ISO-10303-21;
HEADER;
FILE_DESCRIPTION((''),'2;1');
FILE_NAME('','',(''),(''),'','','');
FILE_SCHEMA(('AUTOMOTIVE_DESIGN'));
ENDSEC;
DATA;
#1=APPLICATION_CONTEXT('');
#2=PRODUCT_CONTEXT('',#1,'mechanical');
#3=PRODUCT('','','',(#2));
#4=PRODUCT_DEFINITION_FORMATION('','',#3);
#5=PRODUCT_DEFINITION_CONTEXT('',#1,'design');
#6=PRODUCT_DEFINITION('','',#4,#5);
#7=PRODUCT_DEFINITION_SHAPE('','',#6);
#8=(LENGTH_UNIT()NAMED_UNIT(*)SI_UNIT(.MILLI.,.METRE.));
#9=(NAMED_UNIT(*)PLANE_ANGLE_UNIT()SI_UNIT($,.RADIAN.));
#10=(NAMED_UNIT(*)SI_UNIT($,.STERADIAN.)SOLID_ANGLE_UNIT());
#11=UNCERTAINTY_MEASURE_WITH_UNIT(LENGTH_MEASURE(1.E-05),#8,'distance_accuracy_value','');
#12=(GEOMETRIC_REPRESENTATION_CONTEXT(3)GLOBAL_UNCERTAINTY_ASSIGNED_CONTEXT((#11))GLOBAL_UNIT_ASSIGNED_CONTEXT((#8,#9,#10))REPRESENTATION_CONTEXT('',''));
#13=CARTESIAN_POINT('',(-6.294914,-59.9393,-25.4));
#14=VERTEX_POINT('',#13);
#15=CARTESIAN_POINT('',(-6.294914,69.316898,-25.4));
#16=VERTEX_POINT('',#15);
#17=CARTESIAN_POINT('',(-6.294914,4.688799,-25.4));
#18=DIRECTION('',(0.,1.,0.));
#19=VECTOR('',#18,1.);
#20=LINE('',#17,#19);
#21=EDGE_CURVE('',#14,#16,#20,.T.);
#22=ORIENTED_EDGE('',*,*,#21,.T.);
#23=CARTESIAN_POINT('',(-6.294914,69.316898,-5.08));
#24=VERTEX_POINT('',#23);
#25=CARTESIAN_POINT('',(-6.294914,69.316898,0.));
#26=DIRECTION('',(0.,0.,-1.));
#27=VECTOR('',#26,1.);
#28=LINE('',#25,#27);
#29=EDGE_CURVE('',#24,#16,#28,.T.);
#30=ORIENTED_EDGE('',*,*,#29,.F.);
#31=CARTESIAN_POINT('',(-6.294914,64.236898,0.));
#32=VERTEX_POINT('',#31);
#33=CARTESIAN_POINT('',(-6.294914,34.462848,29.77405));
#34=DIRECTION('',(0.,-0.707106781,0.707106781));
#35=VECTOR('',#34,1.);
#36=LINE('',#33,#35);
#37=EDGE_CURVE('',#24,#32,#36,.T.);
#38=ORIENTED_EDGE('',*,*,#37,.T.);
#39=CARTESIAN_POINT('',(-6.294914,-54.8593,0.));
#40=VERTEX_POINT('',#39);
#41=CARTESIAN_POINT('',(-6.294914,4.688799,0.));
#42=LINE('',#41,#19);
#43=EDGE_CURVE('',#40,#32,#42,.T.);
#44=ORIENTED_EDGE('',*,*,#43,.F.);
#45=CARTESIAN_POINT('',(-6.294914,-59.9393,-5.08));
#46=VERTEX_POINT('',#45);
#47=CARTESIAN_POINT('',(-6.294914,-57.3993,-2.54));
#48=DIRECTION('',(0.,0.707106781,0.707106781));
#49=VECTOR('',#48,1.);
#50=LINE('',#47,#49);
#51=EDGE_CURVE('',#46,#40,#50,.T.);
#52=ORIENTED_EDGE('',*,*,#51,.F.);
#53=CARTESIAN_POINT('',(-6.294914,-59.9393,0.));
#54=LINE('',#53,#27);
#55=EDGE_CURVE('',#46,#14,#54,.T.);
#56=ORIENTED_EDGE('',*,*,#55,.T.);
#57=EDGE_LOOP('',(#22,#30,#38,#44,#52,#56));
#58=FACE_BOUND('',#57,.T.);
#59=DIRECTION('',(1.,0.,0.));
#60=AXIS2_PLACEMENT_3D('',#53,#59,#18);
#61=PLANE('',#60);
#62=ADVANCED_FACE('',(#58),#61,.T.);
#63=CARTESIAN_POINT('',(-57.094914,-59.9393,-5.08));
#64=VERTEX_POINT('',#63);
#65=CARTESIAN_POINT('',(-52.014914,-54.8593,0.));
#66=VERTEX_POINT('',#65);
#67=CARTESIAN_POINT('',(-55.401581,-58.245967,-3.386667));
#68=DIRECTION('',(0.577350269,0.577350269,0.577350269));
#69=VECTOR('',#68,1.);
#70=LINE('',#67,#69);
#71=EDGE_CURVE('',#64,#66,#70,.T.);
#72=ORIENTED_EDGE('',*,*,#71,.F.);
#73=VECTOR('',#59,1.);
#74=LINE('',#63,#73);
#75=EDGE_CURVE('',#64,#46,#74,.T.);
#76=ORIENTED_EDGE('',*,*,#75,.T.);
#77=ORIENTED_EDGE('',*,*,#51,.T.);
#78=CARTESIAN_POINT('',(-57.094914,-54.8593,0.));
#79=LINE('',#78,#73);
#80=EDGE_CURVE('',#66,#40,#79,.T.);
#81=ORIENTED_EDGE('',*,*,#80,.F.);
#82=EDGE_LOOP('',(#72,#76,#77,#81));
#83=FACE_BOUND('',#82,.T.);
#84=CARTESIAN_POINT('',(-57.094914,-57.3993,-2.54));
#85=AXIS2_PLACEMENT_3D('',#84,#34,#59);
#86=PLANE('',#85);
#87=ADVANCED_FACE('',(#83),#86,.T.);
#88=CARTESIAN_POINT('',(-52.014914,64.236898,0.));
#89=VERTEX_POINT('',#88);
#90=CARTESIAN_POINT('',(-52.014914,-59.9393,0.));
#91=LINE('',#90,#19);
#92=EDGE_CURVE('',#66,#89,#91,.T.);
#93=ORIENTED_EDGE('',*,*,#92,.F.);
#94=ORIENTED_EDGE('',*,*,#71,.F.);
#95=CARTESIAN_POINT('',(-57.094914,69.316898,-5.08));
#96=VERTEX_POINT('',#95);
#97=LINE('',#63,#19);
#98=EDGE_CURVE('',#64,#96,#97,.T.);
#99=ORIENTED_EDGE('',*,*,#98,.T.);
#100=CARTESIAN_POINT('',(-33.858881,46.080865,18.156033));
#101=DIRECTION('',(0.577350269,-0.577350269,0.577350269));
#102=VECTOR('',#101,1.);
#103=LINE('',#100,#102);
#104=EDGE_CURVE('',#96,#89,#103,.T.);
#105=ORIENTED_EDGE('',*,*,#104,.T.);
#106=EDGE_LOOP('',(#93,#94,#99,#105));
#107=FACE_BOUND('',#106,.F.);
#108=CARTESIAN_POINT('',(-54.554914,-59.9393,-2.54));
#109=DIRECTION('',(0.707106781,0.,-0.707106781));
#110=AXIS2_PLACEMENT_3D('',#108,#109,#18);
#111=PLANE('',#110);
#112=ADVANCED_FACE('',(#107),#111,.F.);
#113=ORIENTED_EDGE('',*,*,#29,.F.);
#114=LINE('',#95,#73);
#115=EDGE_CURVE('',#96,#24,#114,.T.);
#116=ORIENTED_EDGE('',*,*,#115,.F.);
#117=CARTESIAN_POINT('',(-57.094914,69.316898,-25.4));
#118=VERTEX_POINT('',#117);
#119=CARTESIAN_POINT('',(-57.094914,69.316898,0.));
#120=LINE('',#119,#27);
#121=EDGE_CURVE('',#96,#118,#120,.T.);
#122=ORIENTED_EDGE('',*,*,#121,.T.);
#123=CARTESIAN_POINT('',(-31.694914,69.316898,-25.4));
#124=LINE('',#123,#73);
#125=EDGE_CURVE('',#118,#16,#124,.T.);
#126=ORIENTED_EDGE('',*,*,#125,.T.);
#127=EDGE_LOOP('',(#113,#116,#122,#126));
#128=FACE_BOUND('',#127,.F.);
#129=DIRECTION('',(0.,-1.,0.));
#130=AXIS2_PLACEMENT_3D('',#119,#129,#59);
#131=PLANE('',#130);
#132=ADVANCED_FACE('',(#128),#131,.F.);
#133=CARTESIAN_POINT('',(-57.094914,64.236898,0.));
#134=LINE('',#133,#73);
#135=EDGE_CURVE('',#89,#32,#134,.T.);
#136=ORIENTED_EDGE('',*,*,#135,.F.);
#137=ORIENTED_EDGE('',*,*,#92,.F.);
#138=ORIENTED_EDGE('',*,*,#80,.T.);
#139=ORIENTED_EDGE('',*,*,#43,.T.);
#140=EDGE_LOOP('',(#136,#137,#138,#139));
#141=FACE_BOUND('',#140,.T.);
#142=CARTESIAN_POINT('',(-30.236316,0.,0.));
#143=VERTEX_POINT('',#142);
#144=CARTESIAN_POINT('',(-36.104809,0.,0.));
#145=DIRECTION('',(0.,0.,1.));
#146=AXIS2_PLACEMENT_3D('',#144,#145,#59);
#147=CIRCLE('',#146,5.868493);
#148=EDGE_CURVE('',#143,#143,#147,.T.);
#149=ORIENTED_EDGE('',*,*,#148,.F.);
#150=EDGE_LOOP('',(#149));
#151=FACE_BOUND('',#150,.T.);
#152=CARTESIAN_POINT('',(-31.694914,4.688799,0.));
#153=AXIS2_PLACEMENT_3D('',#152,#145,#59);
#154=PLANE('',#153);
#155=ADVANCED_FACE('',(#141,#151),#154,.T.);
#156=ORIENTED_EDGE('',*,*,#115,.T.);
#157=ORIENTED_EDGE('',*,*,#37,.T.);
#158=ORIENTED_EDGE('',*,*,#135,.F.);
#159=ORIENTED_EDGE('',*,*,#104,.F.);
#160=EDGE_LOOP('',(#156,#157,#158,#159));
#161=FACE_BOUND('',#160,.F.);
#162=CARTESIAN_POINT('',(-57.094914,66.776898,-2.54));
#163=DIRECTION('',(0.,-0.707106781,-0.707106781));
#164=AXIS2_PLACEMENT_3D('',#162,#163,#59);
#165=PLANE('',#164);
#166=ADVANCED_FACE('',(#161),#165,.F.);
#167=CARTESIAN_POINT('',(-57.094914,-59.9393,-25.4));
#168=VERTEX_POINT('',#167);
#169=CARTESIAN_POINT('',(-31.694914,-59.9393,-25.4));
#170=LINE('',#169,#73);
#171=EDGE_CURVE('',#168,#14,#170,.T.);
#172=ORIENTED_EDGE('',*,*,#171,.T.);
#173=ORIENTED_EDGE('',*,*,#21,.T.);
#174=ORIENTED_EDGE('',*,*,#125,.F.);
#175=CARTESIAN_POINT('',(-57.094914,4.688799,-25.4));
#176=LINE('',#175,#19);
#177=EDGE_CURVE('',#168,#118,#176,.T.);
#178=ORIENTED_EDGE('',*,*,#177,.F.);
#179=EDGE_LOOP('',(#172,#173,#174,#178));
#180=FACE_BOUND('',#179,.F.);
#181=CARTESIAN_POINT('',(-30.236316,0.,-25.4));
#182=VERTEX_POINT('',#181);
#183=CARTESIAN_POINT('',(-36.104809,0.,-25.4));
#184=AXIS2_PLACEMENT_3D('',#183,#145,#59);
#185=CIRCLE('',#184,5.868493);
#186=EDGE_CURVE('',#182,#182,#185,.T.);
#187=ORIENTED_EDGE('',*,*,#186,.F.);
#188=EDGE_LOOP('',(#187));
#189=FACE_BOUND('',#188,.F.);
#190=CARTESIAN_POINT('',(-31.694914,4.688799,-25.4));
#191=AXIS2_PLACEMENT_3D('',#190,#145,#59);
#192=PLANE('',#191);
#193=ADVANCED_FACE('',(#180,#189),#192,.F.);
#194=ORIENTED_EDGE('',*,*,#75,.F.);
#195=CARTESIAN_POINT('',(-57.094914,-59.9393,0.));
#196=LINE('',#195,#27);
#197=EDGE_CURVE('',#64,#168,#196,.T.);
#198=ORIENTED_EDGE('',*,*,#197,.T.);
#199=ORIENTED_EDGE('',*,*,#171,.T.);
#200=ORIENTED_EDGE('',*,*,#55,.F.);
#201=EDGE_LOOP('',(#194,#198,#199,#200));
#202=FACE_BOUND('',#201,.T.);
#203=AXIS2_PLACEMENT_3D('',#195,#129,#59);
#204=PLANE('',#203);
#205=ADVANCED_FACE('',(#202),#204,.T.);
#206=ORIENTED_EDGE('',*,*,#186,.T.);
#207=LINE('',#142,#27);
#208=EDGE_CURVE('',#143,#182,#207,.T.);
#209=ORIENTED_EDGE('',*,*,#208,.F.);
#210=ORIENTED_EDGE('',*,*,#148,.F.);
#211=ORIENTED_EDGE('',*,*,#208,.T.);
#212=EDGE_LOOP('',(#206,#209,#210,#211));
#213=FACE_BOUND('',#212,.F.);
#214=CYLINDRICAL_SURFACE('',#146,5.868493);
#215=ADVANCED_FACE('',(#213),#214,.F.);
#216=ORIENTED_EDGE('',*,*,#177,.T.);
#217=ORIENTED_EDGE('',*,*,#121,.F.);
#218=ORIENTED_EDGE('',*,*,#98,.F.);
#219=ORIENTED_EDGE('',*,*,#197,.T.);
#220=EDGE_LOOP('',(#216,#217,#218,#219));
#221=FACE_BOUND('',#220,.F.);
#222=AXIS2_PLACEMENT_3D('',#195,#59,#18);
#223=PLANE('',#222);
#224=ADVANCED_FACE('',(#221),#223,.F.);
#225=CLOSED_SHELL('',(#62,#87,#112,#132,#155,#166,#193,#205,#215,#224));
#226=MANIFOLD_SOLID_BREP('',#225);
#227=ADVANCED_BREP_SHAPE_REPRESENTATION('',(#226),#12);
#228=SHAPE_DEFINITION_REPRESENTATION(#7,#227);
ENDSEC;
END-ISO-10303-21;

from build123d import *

# Parameters (mm, degrees)
F0_W     = 50.8
F0_H     = 129.256198
F1_DEPTH = 25.4
F2_SIZE  = 5.08
F3_R     = 5.868493
F4_DEPTH = 25.4


with BuildPart() as f1:
    # F0 (on Top) → F1 (new body)
    with BuildSketch(Plane.XY):
        with Locations((-31.694914, 4.688799)):
            Rectangle(F0_W, F0_H)
    extrude(amount=-F1_DEPTH)

    # F2
    f2_edges = [f1.edges().sort_by_distance(p)[0] for p in [
        (-57.094914, 4.688799, 0),
        (-31.694914, -59.9393, 0),
        (-31.694914, 69.316898, 0),
    ]]
    chamfer(f2_edges, length=F2_SIZE)

    # F3 (on face) → F4 (cut)
    with BuildSketch(Plane.XY):
        with Locations((-36.104809, 0)):
            Circle(F3_R)
    extrude(amount=-F4_DEPTH, mode=Mode.SUBTRACT)


solid = f1.part
